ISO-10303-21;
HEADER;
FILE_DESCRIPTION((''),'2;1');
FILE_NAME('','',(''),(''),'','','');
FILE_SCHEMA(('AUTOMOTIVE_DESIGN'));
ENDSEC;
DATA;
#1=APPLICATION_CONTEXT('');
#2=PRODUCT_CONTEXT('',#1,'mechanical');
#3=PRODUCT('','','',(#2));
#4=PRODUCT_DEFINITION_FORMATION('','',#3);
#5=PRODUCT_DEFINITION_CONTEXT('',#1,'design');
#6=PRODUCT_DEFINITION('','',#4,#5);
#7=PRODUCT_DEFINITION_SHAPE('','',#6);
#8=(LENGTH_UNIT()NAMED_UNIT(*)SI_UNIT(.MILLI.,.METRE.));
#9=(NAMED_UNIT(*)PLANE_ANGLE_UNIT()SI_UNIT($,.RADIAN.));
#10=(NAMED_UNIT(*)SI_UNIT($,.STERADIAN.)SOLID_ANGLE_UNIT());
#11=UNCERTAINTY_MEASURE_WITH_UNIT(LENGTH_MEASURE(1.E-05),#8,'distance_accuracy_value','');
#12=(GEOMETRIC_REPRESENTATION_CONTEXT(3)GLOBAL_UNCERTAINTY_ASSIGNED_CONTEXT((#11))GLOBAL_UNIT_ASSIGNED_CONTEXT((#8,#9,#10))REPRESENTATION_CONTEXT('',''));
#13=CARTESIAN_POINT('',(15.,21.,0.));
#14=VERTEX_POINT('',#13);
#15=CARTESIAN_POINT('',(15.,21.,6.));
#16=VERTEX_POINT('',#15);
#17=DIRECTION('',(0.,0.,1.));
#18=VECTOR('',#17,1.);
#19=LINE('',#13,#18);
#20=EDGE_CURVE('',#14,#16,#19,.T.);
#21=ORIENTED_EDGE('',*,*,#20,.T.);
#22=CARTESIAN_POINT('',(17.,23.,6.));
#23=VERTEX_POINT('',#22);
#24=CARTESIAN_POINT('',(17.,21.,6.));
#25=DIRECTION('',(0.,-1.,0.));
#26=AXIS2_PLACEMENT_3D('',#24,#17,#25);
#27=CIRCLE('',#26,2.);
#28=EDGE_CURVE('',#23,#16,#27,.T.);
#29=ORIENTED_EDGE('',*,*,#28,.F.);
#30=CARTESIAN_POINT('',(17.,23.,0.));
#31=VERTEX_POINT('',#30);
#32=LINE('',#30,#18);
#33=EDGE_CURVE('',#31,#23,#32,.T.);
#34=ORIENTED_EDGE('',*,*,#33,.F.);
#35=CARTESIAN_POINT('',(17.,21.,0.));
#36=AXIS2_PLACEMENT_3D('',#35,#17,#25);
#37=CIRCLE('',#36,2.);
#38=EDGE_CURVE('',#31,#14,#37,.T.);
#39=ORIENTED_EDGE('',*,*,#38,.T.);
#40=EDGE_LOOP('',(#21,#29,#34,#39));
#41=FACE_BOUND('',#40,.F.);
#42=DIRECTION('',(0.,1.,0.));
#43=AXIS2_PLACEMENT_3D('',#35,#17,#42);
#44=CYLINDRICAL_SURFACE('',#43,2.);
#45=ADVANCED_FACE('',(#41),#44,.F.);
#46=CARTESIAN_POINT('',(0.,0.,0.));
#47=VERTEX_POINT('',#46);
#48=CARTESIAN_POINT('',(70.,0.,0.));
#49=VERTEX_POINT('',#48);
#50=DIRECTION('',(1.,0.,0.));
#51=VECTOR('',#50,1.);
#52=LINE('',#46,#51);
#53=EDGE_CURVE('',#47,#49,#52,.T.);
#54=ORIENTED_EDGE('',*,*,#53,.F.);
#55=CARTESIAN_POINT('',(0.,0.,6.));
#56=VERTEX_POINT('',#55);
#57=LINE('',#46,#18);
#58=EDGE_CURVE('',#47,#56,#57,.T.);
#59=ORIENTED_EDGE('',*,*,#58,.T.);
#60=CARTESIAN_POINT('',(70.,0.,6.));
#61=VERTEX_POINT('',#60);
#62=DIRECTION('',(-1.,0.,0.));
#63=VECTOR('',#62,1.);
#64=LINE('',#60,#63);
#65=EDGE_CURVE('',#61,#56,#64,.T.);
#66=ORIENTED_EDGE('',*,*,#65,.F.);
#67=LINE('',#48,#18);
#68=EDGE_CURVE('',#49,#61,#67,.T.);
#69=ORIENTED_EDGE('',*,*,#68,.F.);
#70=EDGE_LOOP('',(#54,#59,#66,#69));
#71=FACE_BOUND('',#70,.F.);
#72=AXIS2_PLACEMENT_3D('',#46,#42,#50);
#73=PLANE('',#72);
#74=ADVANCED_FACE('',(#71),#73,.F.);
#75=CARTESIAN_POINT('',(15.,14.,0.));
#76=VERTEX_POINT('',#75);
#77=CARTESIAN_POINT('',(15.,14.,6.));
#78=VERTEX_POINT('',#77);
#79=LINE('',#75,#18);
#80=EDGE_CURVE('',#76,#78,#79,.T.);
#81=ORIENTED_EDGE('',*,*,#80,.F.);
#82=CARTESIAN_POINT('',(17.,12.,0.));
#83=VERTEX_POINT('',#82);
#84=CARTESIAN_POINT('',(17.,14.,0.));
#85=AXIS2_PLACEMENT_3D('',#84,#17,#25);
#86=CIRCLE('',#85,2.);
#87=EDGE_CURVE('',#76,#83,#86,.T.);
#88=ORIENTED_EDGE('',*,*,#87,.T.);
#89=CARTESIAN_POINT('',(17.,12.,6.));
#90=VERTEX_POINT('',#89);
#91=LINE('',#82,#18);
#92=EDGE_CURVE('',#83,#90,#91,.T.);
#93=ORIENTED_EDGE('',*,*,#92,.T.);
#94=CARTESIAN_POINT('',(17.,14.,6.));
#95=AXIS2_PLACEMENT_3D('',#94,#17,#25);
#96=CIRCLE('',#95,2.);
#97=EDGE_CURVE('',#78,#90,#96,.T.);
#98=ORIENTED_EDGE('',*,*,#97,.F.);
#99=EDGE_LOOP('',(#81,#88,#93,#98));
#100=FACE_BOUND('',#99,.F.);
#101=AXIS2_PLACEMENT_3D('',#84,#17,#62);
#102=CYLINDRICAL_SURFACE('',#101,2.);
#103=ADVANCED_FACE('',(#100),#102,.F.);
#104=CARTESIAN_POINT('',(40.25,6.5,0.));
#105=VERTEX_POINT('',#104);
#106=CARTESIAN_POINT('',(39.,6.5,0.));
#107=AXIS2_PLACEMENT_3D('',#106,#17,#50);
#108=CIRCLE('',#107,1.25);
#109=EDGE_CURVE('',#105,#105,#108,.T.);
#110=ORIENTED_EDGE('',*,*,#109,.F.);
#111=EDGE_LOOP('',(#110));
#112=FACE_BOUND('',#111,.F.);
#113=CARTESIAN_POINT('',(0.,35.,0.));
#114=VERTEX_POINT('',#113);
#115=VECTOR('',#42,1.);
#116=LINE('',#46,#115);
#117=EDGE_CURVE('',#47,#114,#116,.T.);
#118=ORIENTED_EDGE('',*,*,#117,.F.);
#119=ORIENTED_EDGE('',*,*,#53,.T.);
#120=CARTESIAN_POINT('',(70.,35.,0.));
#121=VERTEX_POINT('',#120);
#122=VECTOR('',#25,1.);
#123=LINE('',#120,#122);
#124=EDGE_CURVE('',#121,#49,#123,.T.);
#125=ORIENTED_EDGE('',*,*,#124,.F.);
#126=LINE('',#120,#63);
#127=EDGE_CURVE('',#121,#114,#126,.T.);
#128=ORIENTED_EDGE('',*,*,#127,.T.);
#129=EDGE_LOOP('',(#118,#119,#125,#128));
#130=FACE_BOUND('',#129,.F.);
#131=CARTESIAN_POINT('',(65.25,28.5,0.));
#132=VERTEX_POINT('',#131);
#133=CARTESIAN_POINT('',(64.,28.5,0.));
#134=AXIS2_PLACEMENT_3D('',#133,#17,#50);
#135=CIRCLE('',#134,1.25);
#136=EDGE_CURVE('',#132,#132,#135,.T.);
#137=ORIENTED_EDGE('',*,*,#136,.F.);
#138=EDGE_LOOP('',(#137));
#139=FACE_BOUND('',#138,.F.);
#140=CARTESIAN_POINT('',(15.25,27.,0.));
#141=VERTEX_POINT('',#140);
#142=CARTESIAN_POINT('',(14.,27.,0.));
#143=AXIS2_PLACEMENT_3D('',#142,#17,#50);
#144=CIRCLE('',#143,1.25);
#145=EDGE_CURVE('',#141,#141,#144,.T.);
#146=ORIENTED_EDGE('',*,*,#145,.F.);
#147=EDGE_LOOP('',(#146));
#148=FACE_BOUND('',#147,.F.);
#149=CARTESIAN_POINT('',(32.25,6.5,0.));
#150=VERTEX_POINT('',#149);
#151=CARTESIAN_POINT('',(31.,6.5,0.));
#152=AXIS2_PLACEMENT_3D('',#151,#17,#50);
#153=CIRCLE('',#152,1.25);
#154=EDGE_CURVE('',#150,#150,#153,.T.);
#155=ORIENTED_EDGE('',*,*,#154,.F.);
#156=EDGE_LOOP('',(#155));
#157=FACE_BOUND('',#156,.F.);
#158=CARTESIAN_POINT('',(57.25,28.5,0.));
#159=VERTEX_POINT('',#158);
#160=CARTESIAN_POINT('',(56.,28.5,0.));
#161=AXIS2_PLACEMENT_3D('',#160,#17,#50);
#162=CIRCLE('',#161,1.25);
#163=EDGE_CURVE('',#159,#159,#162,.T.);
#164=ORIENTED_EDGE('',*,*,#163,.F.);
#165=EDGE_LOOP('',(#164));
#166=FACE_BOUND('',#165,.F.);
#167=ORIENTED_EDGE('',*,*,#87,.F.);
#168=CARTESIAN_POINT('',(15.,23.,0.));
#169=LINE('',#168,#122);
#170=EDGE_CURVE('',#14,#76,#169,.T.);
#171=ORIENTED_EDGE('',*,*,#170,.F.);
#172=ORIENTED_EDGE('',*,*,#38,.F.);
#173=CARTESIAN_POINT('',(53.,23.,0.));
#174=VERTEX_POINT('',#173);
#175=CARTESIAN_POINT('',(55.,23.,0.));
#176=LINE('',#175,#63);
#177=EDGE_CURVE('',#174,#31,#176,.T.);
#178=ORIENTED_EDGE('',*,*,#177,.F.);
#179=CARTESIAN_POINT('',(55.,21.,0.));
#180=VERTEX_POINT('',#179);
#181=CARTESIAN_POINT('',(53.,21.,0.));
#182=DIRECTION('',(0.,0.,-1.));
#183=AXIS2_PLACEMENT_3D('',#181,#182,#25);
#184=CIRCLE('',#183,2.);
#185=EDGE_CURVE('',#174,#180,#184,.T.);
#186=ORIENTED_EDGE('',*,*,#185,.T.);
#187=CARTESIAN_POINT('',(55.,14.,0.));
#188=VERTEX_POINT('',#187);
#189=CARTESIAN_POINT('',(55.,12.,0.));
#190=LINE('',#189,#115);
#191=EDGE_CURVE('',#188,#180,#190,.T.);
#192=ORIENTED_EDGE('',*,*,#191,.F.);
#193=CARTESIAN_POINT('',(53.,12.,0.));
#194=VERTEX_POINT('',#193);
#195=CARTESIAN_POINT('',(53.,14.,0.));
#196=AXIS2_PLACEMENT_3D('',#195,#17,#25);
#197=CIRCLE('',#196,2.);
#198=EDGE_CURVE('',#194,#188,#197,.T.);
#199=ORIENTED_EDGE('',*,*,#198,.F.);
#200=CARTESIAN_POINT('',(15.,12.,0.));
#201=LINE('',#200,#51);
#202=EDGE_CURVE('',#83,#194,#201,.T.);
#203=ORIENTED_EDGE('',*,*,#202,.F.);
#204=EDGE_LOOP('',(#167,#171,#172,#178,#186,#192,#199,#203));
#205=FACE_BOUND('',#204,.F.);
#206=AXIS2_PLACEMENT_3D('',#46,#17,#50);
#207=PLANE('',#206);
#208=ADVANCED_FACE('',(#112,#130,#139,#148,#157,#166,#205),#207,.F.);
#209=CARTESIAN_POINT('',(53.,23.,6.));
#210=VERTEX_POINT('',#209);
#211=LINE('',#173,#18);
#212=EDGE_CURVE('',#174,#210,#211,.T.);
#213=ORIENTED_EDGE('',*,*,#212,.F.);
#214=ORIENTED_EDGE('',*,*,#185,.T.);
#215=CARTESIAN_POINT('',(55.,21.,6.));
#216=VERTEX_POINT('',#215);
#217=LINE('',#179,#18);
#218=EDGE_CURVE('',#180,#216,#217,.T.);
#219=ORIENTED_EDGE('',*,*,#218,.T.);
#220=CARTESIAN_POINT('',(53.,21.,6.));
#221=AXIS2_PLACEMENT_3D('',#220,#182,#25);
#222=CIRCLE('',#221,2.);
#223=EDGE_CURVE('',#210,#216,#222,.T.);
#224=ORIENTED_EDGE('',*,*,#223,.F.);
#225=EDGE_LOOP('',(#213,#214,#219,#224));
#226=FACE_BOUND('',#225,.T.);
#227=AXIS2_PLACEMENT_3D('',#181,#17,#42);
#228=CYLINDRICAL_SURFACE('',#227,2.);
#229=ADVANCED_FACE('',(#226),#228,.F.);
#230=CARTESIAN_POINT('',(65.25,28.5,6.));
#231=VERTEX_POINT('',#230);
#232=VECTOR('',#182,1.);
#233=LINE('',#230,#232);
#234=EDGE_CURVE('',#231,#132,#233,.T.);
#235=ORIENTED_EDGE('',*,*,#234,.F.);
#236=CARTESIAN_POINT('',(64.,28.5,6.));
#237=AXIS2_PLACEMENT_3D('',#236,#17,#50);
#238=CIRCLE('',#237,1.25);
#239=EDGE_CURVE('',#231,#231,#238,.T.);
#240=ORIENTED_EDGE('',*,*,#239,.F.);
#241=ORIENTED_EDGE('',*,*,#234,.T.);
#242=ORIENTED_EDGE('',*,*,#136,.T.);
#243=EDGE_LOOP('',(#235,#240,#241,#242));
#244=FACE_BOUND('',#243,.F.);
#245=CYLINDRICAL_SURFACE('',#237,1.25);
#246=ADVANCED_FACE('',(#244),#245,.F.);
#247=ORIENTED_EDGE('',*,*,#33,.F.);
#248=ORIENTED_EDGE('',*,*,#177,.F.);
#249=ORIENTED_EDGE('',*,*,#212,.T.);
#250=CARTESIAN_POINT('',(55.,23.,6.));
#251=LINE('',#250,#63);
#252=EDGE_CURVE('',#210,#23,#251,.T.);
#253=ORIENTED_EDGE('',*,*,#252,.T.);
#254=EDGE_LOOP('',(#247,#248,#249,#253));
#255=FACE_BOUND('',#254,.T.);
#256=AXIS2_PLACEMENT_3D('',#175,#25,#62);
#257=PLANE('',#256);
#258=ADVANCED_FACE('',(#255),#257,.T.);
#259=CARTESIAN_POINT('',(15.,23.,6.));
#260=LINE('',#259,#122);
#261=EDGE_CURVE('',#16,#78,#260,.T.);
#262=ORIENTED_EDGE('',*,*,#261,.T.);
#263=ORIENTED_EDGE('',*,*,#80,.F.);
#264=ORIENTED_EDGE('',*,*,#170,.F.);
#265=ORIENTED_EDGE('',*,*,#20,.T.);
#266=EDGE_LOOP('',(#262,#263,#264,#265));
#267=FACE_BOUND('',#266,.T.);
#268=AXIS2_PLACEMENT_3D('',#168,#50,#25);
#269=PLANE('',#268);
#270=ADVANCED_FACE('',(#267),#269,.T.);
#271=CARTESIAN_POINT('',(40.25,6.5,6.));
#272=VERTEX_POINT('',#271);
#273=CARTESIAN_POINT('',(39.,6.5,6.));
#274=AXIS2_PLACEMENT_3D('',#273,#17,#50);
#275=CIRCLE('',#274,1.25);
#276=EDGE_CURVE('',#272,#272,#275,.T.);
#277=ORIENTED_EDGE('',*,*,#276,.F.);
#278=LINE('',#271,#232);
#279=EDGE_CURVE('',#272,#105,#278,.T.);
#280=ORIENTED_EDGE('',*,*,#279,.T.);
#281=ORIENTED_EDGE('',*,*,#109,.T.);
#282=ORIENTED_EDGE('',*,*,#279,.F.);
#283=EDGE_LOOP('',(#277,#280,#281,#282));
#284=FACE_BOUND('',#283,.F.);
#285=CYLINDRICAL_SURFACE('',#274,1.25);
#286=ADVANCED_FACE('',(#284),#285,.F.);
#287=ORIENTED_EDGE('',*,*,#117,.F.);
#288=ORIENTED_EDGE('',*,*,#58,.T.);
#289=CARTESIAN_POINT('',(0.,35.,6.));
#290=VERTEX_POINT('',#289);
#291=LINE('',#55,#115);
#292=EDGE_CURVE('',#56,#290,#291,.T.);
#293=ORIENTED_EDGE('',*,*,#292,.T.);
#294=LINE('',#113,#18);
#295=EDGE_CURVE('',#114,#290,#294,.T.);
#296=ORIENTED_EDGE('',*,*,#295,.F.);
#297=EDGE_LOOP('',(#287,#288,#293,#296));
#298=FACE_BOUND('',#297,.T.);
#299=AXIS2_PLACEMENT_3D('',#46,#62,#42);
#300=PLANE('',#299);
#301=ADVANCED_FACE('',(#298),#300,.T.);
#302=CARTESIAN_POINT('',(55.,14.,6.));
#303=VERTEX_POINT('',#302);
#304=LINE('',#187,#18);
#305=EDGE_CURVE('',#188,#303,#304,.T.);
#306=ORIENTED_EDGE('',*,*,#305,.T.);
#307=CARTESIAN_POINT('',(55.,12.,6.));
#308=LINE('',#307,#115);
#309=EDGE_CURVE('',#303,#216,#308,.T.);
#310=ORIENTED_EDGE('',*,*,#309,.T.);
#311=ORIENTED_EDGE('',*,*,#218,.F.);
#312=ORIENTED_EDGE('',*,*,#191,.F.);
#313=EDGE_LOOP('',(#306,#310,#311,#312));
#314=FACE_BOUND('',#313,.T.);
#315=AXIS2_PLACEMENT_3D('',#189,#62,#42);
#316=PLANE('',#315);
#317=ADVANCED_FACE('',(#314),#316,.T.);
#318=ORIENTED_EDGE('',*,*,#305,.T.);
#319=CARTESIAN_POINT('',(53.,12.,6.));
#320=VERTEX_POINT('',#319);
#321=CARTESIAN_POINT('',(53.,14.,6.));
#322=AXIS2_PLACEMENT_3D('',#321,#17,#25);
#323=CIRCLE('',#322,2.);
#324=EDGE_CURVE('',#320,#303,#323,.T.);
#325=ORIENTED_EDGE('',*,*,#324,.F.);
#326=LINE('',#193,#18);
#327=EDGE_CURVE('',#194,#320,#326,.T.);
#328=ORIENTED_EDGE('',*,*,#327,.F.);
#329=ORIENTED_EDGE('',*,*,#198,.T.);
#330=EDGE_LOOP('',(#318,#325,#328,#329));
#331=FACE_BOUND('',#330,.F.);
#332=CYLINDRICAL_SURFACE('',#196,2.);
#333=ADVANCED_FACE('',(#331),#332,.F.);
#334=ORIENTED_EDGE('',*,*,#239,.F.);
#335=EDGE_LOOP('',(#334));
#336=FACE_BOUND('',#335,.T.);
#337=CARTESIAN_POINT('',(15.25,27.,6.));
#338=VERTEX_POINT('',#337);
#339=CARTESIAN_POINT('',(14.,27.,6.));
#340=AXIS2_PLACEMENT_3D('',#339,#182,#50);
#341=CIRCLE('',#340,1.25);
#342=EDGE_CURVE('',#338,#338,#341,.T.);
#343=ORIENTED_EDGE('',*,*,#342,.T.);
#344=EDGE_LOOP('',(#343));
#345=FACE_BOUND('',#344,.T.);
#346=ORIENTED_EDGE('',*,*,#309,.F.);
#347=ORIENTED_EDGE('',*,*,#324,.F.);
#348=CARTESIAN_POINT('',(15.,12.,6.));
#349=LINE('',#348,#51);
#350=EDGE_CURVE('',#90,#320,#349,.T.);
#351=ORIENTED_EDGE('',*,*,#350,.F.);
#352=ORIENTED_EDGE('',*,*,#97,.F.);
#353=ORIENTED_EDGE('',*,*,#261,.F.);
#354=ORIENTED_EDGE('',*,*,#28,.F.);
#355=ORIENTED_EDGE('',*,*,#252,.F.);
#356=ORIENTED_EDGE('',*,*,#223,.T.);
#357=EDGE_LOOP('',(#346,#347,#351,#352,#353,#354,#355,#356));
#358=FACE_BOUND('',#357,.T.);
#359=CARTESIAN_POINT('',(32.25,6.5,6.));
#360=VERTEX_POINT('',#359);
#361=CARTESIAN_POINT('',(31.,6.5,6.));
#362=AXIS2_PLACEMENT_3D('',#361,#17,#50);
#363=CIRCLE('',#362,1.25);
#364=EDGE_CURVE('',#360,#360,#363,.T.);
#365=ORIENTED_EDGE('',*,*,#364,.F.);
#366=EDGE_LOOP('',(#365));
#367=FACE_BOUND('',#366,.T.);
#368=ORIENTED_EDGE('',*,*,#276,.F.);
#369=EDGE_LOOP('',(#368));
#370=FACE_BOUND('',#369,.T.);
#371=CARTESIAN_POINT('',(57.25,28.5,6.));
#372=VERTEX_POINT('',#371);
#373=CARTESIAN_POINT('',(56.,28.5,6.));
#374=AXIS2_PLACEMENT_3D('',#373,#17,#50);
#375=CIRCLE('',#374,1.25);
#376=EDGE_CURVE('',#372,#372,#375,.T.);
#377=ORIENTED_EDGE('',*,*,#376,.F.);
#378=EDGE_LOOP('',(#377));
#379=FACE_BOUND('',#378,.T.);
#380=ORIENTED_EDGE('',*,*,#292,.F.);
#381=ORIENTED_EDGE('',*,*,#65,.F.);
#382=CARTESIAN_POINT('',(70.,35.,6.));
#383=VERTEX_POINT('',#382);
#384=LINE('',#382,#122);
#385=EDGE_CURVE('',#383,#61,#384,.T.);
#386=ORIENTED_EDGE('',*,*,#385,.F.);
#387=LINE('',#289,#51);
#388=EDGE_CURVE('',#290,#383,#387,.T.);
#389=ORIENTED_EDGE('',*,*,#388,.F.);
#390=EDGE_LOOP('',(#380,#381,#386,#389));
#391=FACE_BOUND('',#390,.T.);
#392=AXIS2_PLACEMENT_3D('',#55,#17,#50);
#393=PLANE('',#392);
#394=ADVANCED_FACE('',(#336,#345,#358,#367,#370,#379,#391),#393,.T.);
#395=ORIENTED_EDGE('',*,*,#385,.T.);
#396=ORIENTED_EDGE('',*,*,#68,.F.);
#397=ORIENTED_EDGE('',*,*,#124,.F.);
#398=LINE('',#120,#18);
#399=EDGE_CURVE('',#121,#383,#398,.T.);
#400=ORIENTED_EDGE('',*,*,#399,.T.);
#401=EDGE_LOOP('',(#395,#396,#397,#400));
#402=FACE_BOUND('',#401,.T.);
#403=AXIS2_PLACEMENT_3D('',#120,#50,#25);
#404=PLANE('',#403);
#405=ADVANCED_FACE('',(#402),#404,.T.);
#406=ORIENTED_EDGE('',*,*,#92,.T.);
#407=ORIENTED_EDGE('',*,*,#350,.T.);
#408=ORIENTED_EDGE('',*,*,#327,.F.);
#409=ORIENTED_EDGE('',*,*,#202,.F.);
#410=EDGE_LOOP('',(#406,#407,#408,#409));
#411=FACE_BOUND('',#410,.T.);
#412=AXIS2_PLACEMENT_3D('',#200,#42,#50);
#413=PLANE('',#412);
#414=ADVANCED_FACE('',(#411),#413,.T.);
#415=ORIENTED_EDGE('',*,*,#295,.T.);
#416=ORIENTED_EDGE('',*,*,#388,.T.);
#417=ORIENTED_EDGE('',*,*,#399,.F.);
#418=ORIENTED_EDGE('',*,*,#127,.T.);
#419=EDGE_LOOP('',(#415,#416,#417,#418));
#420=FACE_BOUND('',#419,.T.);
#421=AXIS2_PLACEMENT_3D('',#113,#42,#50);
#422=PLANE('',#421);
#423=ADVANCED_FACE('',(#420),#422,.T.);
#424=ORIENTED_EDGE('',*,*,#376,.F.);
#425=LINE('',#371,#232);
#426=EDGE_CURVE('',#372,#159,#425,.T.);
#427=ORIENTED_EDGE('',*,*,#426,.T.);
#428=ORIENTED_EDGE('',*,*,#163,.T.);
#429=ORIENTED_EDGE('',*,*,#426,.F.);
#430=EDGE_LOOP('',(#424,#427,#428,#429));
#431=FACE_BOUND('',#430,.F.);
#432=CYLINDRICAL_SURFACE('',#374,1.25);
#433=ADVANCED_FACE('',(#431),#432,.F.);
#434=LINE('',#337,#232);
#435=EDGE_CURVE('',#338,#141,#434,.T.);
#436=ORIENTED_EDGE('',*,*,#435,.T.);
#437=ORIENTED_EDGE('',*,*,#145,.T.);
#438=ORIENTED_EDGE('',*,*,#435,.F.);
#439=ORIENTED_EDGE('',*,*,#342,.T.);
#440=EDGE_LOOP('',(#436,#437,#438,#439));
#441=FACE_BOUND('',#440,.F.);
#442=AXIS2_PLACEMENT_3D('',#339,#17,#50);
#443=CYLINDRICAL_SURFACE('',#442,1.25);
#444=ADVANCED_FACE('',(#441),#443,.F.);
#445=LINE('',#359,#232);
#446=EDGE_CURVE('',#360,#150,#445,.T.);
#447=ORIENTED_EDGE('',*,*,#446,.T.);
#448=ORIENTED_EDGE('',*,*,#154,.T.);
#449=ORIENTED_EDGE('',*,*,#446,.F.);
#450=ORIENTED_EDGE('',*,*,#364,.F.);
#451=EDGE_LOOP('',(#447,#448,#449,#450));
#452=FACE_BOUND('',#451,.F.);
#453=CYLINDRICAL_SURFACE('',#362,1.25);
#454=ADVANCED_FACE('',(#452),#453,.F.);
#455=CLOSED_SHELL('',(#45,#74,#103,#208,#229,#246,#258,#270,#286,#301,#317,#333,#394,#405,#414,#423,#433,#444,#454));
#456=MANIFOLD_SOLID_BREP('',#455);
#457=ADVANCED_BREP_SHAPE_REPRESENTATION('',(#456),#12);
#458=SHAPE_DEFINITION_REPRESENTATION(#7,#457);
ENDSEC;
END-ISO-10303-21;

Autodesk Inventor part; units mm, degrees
ref_plane "YZ Plane" through (0, 0, 0) normal (1, 0, 0) x (0, 1, 0)
ref_plane "XZ Plane" through (0, 0, 0) normal (0, 1, 0) x (-1, 0, 0)
ref_plane "XY Plane" through (0, 0, 0) normal (0, 0, 1) x (1, 0, 0)
ref_plane "작업 평면1" through (28, 0, 12) normal (0, 0, -1) x (-1, 0, 0)
sketch "스케치1" plane through (0, 0, 0) normal (0, 0, 1) x (1, 0, 0)
  line L0 (0, 0) -> (6, 0) projected
  line L1 (6, 0) -> (6, 35) projected
  line L2 (0, 35) -> (6, 35) projected
  line L3 (0, 0) -> (0, 35) projected
  line L4 (0, 35) -> (70, 35)
  line L5 (70, 35) -> (70, 0)
  line L6 (70, 0) -> (0, 0)
  line L7 (0, 0) -> (0, 35)
  dimension "d0" = 70
extrude "돌출1" add sketch "스케치1" along normal blind 6
sketch "스케치2" plane through (0, 0, 6) normal (0, 0, 1) x (1, 0, 0)
  circle A0 centre (39, 6.5) radius 1.25 projected
  circle A1 centre (31, 6.5) radius 1.25 projected
  line L0 (25, 3) -> (45, 3) projected
  line L1 (45, 3) -> (45, 10) projected
  line L2 (45, 10) -> (25, 10) projected
  line L3 (25, 10) -> (25, 3) projected
  point P0 (0, 0)
extrude "돌출2" cut sketch "스케치2" against normal blind 6 contours A0 | A1
sketch "스케치3" plane through (0, 0, 6) normal (0, 0, 1) x (1, 0, 0)
  circle A0 centre (56, 28.5) radius 1.25 projected
  circle A1 centre (64, 28.5) radius 1.25 projected
  circle A2 centre (56, 28.5) radius 1.25 projected
  line L0 (50, 32) -> (70, 32) projected
  line L1 (70, 32) -> (70, 25) projected
  line L2 (70, 25) -> (50, 25) projected
  line L3 (50, 25) -> (50, 32) projected
  circle A3 centre (12.5, 27) radius 1.25 projected
  line L4 (9, 32) -> (16, 32) projected
  line L5 (16, 22) -> (16, 32) projected
  line L6 (9, 22) -> (16, 22) projected
  line L7 (9, 32) -> (9, 22) projected
  circle A4 centre (14, 27) radius 1.25 projected
  line L8 (19, 22) -> (19, 32) projected
  line L9 (19, 32) -> (9, 32) projected
  line L10 (9, 32) -> (9, 22) projected
  line L11 (9, 22) -> (19, 22) projected
  point P0 (0, 0)
extrude "돌출3" cut sketch "스케치3" against normal blind 6 contours A0 | A1 | A3 A4 | A3 A4 picked at (13.4055, 26.9043) picked at (14.7375, 27.1015)
sketch "스케치4" plane through (0, 0, 0) normal (0, 0, -1) x (-1, 0, 0)
  line L0 (0, 35) -> (0, 0) projected
  line L1 (-70, 0) -> (-70, 35) projected
  line L2 (-70, 35) -> (0, 35) projected
  line L3 (0, 0) -> (-70, 0) projected
  line L4 (-55, 23) -> (-15, 23)
  line L5 (-15, 23) -> (-15, 12)
  line L6 (-15, 12) -> (-55, 12)
  line L7 (-55, 12) -> (-55, 23)
  point P0 (-55, 18.9013)
  point P1 (-37.9373, 23)
  point P2 (-15, 18.9013)
  point P3 (-36.2312, 12)
  dimension "d7" = 15
  dimension "d8" = 15
  dimension "d9" = 12
  dimension "d10" = 12
extrude "돌출4" cut sketch "스케치4" against normal blind 6 contours L4 L5 L6 L7
fillet "모깎기1" radius 2 4 edges at (55, 23, 3) (15, 23, 3) (15, 12, 3) (55, 12, 3)
properties part number "61_CPY" material "아크릴, 선명"
